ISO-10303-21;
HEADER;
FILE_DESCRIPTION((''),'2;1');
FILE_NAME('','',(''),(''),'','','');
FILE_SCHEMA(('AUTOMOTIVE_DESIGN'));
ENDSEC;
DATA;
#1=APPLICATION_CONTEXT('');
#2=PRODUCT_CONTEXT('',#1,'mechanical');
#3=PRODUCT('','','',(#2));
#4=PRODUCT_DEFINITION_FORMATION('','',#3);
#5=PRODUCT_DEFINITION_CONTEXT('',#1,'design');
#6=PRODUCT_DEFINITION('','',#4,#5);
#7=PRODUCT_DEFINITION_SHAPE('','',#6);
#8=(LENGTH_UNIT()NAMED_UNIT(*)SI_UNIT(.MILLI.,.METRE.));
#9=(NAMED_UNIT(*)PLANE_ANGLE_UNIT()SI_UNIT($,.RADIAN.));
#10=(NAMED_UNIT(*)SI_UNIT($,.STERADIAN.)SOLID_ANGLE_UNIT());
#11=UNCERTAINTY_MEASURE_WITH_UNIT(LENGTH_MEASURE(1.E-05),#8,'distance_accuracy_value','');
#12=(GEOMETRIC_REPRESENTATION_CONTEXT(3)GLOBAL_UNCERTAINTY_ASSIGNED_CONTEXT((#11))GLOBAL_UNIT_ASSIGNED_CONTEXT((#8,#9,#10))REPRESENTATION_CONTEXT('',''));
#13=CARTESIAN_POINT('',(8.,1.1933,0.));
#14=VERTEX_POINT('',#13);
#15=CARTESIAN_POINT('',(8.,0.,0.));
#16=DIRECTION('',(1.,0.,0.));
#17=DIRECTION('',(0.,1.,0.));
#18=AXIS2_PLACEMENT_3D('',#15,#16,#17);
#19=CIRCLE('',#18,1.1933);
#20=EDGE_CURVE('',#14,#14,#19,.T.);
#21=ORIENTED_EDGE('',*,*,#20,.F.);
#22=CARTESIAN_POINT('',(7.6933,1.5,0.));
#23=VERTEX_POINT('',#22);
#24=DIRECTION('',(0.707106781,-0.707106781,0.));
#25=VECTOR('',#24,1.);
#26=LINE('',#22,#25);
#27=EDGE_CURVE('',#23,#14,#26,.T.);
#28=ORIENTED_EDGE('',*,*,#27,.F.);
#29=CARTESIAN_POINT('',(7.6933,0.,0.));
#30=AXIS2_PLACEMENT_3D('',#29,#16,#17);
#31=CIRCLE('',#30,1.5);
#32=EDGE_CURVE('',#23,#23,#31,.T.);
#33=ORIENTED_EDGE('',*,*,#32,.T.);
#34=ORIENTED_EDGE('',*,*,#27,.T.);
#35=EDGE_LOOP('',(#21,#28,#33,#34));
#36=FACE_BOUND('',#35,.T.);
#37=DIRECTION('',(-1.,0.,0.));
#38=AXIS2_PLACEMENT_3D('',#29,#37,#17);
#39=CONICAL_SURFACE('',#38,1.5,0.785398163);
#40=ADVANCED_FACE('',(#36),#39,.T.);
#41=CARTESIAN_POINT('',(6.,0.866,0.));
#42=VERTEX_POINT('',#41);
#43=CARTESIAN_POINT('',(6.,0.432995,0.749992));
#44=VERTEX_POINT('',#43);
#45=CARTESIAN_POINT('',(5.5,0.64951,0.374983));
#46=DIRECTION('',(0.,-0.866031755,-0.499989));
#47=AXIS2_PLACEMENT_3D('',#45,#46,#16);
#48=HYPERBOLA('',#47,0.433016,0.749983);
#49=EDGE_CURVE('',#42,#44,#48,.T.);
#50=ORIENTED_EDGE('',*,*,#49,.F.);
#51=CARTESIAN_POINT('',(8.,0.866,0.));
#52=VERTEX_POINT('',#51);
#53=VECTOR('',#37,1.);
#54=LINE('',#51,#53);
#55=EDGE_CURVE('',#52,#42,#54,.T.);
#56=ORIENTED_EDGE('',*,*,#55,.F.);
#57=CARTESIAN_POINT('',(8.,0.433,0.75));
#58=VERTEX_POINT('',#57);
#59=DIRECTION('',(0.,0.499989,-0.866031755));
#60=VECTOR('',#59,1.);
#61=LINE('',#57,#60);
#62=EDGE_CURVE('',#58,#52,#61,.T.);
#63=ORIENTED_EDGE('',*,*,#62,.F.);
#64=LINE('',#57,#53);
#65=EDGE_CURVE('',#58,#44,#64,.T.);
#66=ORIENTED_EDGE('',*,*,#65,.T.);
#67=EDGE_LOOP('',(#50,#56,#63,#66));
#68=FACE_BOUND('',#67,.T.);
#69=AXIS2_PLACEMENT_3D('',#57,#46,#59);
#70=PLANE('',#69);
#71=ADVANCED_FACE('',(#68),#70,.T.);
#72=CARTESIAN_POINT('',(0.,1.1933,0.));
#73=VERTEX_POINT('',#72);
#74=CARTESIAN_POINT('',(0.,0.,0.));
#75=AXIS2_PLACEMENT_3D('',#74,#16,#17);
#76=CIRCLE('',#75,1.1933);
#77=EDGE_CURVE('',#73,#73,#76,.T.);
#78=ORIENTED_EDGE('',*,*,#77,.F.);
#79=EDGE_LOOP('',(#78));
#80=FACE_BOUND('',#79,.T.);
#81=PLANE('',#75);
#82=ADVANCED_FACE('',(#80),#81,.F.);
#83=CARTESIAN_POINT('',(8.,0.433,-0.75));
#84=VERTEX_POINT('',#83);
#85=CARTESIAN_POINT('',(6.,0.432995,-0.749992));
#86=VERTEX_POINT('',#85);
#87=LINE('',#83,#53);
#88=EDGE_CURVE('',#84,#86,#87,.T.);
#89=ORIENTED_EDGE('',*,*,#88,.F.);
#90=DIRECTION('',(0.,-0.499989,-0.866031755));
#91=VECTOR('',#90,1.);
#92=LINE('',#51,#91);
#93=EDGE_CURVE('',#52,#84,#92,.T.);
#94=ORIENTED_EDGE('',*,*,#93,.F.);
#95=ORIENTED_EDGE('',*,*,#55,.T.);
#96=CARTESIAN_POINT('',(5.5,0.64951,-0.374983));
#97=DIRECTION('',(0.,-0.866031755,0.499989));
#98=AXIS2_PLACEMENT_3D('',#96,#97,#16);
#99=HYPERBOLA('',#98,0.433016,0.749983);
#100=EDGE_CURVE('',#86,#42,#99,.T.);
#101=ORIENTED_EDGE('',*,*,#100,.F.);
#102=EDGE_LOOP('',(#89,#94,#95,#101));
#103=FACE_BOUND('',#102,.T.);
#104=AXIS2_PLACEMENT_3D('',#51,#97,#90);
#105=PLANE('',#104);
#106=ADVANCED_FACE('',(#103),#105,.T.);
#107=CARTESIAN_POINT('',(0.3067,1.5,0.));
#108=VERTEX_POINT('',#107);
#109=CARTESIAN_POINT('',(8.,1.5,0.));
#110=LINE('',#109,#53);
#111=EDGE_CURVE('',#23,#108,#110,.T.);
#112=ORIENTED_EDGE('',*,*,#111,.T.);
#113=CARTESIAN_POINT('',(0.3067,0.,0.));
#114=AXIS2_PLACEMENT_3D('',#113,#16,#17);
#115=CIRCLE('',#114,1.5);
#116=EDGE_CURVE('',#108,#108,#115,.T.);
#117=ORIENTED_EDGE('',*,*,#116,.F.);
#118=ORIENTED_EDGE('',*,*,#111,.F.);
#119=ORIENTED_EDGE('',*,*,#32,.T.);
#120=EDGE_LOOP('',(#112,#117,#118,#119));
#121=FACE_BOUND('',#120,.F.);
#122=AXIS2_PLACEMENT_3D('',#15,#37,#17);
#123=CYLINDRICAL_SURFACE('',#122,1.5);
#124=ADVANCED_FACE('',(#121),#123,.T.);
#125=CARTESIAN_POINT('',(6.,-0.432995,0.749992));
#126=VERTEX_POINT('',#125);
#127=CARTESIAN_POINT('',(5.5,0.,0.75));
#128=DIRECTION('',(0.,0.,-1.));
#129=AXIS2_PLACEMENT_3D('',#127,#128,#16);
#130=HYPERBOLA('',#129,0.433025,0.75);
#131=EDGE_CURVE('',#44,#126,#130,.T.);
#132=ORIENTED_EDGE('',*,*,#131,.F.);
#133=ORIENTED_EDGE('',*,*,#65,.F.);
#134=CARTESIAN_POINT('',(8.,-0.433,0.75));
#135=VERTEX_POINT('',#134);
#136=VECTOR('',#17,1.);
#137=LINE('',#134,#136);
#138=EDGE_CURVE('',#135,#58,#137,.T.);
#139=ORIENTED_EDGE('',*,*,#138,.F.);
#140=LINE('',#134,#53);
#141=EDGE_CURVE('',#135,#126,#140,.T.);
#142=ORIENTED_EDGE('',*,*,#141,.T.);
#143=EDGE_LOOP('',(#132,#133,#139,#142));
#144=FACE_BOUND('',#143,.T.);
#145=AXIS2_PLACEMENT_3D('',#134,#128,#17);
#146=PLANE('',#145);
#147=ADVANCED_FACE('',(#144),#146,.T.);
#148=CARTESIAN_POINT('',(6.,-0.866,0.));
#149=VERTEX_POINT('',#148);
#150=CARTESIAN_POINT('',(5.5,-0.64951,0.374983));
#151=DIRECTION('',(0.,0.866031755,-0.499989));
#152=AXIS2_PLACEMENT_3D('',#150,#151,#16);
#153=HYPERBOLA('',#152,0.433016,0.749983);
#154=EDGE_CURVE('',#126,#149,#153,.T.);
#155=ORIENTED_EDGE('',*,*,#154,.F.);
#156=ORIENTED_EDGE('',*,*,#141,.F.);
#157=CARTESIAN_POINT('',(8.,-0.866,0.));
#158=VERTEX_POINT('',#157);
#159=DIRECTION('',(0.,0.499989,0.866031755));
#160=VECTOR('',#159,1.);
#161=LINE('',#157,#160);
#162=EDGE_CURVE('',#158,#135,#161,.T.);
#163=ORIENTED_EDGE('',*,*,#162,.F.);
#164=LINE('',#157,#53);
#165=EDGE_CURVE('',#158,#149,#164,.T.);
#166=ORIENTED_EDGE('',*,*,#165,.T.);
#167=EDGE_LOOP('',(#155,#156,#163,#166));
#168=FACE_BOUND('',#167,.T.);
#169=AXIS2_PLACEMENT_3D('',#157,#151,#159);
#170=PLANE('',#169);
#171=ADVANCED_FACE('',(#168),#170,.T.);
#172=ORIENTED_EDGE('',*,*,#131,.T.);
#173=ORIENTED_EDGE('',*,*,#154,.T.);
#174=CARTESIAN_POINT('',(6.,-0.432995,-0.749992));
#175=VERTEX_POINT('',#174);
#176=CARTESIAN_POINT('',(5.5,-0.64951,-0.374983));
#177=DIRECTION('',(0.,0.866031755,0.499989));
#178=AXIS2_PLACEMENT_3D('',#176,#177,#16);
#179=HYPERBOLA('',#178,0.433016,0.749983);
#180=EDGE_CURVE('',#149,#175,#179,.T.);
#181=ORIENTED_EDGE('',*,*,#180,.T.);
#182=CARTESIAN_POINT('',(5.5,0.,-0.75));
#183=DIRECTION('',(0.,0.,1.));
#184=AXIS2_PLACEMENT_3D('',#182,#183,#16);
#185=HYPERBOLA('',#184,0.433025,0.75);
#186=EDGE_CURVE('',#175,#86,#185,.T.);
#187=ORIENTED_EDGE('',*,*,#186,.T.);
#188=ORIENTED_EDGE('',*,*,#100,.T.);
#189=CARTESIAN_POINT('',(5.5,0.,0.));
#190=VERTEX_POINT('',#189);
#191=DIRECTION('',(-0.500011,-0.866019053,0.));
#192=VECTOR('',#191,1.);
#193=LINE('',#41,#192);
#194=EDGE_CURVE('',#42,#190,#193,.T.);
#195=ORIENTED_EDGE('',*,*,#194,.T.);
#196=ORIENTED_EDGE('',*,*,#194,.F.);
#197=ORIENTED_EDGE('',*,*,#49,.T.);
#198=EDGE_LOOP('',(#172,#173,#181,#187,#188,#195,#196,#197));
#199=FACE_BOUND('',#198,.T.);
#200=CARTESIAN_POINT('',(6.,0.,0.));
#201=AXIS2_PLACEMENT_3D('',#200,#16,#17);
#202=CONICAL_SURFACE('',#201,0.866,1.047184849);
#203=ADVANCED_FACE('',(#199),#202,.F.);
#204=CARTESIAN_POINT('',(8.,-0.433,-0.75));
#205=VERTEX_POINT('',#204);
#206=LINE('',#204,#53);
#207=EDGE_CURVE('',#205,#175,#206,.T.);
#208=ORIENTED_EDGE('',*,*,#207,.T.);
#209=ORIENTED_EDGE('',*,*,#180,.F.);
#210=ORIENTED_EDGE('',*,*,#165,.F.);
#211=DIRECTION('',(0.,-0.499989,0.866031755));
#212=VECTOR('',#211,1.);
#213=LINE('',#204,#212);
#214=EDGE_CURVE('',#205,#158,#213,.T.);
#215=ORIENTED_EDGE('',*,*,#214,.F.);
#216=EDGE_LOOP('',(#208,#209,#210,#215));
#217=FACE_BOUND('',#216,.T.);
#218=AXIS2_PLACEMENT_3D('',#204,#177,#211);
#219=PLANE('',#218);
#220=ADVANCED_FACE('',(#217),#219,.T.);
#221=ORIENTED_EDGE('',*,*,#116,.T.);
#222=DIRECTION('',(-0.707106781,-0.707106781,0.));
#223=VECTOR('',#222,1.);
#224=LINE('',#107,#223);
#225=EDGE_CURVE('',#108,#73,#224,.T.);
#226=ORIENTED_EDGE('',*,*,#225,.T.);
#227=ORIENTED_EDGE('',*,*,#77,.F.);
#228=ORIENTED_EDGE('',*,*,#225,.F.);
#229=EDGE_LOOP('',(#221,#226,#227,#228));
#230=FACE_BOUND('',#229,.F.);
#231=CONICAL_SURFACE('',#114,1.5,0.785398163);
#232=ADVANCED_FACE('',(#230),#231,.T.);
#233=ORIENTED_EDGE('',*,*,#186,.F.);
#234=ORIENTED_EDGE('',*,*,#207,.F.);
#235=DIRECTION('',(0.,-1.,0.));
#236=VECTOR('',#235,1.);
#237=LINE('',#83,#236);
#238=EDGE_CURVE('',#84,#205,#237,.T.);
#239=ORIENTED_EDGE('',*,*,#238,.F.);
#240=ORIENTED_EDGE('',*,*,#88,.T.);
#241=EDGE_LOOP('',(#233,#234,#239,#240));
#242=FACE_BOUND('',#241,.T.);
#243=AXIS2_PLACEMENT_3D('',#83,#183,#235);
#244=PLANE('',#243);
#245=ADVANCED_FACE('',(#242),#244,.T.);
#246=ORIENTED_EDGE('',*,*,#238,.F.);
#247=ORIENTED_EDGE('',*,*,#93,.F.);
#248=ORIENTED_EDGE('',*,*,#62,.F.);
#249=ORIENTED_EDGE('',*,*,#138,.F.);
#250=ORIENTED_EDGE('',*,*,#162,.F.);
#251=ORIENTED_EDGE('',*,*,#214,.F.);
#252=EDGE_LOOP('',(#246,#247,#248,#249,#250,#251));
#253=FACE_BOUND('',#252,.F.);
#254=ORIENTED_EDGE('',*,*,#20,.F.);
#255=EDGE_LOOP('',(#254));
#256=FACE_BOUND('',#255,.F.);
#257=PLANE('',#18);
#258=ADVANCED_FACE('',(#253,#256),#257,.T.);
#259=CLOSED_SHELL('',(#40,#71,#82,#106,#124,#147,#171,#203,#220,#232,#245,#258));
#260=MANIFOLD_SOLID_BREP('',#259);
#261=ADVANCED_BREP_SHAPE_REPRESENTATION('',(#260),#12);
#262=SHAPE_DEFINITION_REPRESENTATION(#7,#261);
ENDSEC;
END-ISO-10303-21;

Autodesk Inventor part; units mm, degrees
ref_plane "YZ Plane" through (0, 0, 0) normal (1, 0, 0) x (0, 1, 0)
ref_plane "XZ Plane" through (0, 0, 0) normal (0, 1, 0) x (-1, 0, 0)
sketch "Skizze1" plane through (0, 0, 0) normal (0, 0, 1) x (1, 0, 0)
  line L0 (0, 0) -> (5.5, 0)
  line L1 (8, 0.866) -> (8, 1.5)
  line L2 (8, 1.5) -> (0, 1.5)
  line L3 (8, 0.866) -> (6, 0.866)
  line L4 (6, 0.866) -> (5.5, 0)
  line L5 (0, -0.3) -> (0, 1.8) projected
  line L6 (0, 1.5) -> (0, 0)
  dimension "d0" = 2
  dimension "d1" = 60
  dimension "d2" = 3
  dimension "d3" = 1.7321
  dimension "d5" = 8
revolve "Körper" add sketch "Skizze1" angle 360 about axis through (0, 0, 0) along (1, 0, 0)
sketch "Skizze2" plane through (8, 0, 0) normal (1, 0, 0) x (0, 1, 0)
  circle A0 centre (0, 0) radius 0.866 projected
  line L0 (-0.433, 0.75) -> (0.433, 0.75)
  line L1 (0.433, 0.75) -> (0.866, 0)
  line L2 (0.866, 0) -> (0.433, -0.75)
  line L3 (0.433, -0.75) -> (-0.433, -0.75)
  line L4 (-0.433, -0.75) -> (-0.866, 0)
  line L5 (-0.866, 0) -> (-0.433, 0.75)
  point P0 (0, 0)
  point P1 (0, 0)
extrude "Loch" add sketch "Skizze2" against normal up to next contours L1 A0 | A0 L2 | L0 A0 | A0 L3 | L5 A0 | A0 L4
thread "Gewinde" size "M3x0.5" class "6g" standard "ISO Metric profile" length 8
chamfer "Fase1" distance 0.3067 angle 45 1 edges at (8, -1.5, 0) measured on face at (5.3333, 1.4806, -0.2406)
chamfer "Fase2" distance 0.3067 angle 45 1 edges at (0, -1.5, 0) measured on face at (2.5644, 1.4806, -0.2406)
ref_plane "Work Plane1" through (4, 0, 0) normal (0, 0, 1) x (1, 0, 0)
equation "\"d0\" = INTI"
equation "\"d2\" = NND"
equation "\"d3\" = 1.1547 * SW"
equation "\"d5\" = NLG"
equation "\"d8\" = NLG"
equation "\"d10\" = -0.5 * GD1 + 0.5 * NND"
equation "\"d11\" = FAWI"
equation "\"d34\" = -0.5 * GD1 + 0.5 * NND"
equation "\"d12\" = -0.5 * GD1 + 0.5 * NND"
equation "\"d13\" = FAWI"
equation "\"d35\" = -0.5 * GD1 + 0.5 * NND"
equation "\"NND\" = 3"
equation "\"NLG\" = 8"
equation "\"INTI\" = 2"
equation "\"FAWI\" = 45deg"
equation "\"SW\" = 1.5"
equation "\"GD1\" = THREADDIA - 1.2269 * PTC"
equation "\"SPD\" = 2"
equation "\"GUL\" = 0.61345 * PTC"
equation "\"TOA\" = 30deg"
equation "\"THREADDIA\" = 3"
equation "\"PTC\" = 0.5"
equation "\"FAWI1\" = 45deg"
equation "\"GAL\" = 0.61345 * PTC"
equation "\"E0\" = 1.155 * SW"
properties part number "DIN 913 - M3 x 8" material "Stahl, weich"
